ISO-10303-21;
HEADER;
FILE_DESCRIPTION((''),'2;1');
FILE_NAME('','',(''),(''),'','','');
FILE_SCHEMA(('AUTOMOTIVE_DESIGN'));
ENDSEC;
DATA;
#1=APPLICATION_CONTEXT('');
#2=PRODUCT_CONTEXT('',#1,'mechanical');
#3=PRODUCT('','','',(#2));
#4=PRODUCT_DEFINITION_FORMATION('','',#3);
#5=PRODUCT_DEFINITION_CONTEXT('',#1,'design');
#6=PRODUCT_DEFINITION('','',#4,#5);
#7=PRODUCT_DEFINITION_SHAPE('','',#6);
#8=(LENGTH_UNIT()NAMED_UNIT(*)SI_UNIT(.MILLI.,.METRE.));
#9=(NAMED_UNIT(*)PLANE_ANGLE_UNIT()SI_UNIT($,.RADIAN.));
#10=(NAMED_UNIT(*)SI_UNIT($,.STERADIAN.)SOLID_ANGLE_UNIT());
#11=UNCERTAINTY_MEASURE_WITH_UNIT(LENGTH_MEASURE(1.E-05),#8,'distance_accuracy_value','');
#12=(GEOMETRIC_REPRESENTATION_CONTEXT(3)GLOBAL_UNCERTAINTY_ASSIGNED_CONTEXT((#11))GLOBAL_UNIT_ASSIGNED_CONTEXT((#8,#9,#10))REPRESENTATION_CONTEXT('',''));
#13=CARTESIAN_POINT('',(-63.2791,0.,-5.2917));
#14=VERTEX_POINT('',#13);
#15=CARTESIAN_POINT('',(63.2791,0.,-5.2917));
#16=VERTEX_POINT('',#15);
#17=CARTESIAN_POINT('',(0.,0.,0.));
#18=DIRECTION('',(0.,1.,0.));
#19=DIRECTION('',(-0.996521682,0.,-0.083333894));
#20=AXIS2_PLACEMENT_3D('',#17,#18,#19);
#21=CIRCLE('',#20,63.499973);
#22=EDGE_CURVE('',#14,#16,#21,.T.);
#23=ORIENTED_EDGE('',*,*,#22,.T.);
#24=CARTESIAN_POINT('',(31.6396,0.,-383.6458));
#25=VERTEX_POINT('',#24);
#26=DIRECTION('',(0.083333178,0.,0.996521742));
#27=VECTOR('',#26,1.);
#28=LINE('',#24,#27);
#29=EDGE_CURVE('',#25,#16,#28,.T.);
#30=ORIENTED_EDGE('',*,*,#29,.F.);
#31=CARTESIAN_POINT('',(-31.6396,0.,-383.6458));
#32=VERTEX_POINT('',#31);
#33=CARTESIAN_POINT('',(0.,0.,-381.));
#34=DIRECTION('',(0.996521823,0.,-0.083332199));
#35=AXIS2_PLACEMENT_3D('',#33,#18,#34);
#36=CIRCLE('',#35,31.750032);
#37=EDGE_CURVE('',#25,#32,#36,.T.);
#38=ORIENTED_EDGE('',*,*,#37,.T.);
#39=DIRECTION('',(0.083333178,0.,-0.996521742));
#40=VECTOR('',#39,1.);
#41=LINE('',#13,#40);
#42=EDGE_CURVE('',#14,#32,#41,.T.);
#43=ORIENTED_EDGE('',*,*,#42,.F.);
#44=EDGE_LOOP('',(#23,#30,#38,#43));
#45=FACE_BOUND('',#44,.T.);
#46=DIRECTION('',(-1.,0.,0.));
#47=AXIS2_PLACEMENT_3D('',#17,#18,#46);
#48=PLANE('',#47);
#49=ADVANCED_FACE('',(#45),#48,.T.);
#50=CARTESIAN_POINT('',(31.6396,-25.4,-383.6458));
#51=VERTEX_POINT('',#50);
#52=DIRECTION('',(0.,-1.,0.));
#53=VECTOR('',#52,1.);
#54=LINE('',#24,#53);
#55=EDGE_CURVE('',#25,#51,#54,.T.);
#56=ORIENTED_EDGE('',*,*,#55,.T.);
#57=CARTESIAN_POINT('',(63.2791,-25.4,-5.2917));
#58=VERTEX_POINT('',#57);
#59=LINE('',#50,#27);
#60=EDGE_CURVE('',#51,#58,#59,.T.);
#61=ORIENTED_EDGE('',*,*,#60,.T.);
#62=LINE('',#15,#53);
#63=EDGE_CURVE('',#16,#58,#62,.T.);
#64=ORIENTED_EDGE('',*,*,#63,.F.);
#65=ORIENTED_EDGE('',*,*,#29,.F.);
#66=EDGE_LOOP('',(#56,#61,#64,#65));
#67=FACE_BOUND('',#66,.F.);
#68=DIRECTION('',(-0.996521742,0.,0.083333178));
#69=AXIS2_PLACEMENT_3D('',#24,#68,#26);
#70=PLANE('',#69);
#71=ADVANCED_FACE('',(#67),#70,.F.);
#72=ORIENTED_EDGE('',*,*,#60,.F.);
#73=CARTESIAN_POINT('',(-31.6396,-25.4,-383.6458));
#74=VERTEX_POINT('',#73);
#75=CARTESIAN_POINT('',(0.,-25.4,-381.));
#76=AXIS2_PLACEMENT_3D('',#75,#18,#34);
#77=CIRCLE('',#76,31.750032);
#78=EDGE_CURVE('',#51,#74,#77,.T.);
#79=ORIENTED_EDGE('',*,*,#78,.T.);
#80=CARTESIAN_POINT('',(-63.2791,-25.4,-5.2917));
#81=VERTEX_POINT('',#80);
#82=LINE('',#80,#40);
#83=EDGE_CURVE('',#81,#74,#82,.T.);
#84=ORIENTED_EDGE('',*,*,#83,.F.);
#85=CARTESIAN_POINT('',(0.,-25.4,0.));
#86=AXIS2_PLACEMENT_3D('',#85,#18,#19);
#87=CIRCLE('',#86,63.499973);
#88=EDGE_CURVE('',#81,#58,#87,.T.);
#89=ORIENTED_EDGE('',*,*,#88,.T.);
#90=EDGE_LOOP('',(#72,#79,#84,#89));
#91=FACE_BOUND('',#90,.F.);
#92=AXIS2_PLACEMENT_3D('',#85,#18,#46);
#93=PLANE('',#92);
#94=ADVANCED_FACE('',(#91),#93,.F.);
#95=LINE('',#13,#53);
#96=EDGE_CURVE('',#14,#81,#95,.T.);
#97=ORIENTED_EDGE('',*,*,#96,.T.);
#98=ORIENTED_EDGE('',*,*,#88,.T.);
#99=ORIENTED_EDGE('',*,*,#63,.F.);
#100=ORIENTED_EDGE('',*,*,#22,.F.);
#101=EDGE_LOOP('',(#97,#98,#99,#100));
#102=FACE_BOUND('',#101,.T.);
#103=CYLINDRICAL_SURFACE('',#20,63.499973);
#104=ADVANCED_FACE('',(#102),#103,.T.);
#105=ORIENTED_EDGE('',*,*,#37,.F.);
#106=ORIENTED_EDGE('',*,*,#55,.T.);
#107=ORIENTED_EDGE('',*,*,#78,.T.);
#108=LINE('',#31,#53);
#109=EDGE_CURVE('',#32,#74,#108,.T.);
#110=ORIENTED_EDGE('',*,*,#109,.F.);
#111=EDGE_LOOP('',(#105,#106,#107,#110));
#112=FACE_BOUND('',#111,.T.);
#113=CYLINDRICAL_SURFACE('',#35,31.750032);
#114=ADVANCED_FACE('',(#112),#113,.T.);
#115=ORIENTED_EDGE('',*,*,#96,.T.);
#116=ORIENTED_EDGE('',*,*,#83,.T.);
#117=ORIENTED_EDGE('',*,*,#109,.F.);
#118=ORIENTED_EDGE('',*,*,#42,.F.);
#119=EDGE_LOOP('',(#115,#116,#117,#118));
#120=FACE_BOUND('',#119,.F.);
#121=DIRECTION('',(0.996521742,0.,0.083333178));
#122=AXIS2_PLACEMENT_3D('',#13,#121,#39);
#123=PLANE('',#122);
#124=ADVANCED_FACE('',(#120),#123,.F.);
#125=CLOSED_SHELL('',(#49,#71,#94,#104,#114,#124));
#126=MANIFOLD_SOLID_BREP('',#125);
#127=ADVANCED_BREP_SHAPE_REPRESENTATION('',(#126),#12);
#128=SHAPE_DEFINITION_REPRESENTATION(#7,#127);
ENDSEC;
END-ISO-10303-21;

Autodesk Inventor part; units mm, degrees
ref_plane "YZ Plane" through (0, 0, 0) normal (1, 0, 0) x (0, 1, 0)
ref_plane "XZ Plane" through (0, 0, 0) normal (0, 1, 0) x (-1, 0, 0)
ref_plane "XY Plane" through (0, 0, 0) normal (0, 0, 1) x (1, 0, 0)
sketch "Sketch1" plane through (0, 0, 0) normal (0, 1, 0) x (-1, 0, 0)
  circle A0 centre (0, 0) radius 63.5 construction
  line L0 (0, 0) -> (0, -381) construction
  circle A1 centre (0, -381) radius 31.75 construction
  dimension "majorDiameter" = 127
  dimension "armLength" = 381
  dimension "minorDiameter" = 63.5
sketch "Sketch2" plane through (0, 0, 0) normal (0, 1, 0) x (-1, 0, 0)
  line L0 (63.2791, -5.2917) -> (31.6396, -383.6458)
  line L1 (-31.6396, -383.6458) -> (-63.2791, -5.2917)
  circle A0 centre (0, -381) radius 31.75 construction
  circle A1 centre (0, 0) radius 63.5 construction
  arc A2 (-31.6396, -383.6458) -> (31.6396, -383.6458) centre (0, -381) ccw
  arc A3 (63.2791, -5.2917) -> (-63.2791, -5.2917) centre (0, 0) ccw
extrude "Extrusion1" add sketch "Sketch2" against normal blind 25.4
equation "\"minorDiameter\" = 0.5 * majorDiameter"
properties part number "Post"
